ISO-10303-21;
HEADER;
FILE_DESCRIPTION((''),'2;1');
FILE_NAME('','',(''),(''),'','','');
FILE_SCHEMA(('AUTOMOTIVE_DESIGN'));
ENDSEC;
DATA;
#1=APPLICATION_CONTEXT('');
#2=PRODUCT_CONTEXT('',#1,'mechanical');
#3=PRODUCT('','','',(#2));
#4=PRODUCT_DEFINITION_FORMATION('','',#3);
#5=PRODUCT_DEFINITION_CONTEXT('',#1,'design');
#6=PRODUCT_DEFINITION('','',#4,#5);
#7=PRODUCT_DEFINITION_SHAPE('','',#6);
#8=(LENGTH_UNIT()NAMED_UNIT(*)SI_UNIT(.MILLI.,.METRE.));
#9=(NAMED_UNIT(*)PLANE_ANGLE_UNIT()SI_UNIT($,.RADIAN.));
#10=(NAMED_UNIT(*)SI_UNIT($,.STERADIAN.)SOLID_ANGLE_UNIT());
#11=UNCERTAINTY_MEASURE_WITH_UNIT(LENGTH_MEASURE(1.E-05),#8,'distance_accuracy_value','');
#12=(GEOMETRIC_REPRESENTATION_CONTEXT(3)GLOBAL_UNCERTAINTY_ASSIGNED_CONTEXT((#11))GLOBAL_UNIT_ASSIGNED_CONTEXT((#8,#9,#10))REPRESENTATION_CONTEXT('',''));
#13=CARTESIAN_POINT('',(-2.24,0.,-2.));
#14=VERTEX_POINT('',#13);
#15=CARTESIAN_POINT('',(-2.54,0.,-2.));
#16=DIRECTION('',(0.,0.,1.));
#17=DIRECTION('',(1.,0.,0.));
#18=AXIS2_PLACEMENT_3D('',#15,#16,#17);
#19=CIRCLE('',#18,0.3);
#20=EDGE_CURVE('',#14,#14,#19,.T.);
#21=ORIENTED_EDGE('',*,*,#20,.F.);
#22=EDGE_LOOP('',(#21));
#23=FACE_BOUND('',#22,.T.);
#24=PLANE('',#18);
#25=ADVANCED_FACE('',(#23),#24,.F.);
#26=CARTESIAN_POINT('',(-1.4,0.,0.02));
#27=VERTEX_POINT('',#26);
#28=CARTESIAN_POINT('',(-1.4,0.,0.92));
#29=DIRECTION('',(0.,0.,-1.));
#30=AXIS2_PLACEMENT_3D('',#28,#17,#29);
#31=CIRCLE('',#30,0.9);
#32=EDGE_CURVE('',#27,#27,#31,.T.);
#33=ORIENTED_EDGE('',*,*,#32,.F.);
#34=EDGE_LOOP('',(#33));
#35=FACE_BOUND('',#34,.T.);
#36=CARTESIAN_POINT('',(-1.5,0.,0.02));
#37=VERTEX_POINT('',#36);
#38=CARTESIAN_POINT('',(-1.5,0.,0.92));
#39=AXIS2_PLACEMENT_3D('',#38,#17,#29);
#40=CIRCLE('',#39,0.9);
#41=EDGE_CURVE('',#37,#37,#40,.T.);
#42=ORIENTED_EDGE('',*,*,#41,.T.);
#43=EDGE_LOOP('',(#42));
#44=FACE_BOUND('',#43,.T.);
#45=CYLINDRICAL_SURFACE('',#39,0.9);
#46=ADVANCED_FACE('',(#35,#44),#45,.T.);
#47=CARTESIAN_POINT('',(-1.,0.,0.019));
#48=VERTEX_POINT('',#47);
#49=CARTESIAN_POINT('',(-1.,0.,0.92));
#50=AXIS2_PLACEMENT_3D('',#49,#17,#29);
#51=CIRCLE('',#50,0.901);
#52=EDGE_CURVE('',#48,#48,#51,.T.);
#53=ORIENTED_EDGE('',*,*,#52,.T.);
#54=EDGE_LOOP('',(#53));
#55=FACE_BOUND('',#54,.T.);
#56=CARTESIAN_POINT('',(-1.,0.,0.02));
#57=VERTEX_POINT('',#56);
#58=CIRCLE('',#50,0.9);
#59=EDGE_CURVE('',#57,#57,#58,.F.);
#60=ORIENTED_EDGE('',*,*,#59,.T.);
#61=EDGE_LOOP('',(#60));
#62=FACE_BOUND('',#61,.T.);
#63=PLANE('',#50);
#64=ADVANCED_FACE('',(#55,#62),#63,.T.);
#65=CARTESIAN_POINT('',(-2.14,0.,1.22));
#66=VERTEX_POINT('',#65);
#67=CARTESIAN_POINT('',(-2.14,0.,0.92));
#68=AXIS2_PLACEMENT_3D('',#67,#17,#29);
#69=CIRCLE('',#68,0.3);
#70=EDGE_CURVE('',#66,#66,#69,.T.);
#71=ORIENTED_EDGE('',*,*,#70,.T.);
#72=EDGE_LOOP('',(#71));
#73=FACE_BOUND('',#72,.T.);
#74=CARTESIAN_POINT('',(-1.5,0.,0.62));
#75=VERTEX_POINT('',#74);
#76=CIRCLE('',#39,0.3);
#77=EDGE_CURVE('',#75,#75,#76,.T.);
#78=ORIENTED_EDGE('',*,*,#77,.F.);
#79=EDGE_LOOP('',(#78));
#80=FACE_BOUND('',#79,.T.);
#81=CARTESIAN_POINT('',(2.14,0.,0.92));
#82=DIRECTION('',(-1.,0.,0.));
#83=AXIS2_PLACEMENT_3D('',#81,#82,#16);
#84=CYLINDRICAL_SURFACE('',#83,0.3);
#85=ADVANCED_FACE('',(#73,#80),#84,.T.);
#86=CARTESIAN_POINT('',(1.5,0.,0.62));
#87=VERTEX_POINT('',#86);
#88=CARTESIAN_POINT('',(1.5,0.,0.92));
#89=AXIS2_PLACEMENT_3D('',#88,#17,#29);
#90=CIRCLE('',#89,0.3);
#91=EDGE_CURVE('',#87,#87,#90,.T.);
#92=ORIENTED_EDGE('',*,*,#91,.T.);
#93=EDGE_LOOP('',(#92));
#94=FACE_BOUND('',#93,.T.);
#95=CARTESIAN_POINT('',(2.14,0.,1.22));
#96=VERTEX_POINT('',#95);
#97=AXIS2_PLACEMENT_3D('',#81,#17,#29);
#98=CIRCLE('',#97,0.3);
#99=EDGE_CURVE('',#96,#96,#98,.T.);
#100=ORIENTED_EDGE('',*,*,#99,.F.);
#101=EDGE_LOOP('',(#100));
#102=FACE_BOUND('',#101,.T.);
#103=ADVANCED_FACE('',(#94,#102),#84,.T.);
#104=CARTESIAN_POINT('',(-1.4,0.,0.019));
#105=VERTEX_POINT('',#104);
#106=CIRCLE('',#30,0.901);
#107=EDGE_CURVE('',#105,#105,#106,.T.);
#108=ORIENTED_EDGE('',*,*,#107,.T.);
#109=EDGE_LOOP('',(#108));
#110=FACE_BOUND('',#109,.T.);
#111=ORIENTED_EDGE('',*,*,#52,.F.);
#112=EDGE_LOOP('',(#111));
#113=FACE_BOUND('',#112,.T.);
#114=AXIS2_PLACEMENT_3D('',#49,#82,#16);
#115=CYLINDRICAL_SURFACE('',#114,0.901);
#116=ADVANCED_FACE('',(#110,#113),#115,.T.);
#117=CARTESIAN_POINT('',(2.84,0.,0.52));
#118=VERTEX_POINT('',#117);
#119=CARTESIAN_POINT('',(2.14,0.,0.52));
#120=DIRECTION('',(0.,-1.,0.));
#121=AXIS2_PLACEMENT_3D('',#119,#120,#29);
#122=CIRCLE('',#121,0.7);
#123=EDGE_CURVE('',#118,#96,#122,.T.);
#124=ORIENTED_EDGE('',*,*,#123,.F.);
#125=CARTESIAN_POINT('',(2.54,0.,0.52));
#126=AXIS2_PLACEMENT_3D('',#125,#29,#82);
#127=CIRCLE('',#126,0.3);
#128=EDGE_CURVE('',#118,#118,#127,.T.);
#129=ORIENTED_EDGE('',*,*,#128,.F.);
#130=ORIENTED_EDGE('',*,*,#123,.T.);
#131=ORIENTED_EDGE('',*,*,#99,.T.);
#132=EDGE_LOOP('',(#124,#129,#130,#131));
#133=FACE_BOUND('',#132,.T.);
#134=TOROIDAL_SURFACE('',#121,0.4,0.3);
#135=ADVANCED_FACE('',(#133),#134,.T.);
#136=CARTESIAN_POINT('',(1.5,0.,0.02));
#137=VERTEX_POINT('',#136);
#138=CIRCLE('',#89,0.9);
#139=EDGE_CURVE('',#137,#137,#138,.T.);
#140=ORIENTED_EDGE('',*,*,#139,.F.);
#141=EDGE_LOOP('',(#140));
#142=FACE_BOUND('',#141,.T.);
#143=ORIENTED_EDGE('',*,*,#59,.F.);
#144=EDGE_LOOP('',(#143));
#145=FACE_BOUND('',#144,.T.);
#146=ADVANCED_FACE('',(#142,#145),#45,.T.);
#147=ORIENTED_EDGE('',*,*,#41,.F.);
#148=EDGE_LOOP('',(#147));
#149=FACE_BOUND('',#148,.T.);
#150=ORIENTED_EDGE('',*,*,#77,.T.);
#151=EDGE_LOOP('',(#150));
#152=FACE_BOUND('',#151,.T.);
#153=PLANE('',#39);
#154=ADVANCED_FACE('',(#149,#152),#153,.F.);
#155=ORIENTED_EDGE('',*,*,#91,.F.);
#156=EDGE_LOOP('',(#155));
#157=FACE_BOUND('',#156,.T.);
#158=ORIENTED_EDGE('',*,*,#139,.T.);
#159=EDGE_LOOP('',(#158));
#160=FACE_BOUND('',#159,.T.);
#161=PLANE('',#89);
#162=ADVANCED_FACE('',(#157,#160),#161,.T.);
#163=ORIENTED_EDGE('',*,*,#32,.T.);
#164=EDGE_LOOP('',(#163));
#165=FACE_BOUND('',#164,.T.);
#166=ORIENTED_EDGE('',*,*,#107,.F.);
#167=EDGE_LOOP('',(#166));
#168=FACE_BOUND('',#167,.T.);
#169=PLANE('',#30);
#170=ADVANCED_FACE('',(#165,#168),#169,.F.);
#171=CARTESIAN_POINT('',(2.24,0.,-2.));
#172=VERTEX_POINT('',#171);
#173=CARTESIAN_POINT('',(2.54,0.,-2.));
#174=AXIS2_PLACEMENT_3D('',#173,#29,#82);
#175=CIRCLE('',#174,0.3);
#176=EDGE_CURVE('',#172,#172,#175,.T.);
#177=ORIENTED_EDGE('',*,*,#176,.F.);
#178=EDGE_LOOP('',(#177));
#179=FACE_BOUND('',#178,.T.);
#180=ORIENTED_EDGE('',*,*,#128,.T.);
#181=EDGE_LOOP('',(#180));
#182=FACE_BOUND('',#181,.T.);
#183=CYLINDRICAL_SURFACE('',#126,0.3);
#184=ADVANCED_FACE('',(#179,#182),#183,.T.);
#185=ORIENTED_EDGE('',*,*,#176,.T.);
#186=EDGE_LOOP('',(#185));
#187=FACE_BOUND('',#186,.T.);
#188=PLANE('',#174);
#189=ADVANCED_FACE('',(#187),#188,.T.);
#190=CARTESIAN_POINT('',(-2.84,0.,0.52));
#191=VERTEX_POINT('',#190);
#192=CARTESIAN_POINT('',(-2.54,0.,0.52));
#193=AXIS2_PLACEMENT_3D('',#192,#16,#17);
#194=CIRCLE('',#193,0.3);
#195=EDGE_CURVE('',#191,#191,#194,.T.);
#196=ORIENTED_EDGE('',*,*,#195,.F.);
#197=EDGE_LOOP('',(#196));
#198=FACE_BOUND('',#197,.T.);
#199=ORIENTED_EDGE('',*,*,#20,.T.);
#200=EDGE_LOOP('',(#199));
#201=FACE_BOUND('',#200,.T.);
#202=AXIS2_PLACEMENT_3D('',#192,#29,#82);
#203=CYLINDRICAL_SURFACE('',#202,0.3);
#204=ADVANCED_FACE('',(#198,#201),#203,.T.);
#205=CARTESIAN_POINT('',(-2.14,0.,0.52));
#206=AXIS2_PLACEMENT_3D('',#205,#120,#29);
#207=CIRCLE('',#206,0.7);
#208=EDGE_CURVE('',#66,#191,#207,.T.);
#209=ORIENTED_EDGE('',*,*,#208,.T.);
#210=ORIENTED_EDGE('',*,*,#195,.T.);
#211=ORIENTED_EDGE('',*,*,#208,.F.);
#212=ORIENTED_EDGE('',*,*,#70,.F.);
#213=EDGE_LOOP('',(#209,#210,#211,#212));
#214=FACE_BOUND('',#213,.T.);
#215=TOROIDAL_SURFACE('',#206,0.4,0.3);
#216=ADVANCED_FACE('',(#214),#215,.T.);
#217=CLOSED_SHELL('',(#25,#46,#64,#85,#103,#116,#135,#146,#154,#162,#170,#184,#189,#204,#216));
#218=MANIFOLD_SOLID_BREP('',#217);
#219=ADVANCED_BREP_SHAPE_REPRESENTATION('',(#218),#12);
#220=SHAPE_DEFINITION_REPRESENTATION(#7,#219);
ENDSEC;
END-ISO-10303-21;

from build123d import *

# Parameters (mm, degrees)
IZIM2_R                     = 0.3
IZIM4_R                     = 0.9
Y_KSEKLIK_EKSTR_ZYON3_DEPTH = 1.5
EKSTR_ZYON_NCE1_START       = -1.2
IZIM4_5_R                   = 0.901
IZIM4_5_R_2                 = 0.9
EKSTR_ZYON_NCE1_DEPTH       = 0.2


with BuildPart() as part:
    # Süpür2: sweep along a path in Çizim3
    with BuildLine(Plane(origin=(0, 0, 0), x_dir=(1, 0, 0), z_dir=(0, 1, 0))) as s_p_r2_path:
        Line((2.54, 2), (2.54, -0.52))
        ThreePointArc((2.54, -0.52), (2.422842712, -0.802842712), (2.14, -0.92))
        Line((2.14, -0.92), (-2.14, -0.92))
        ThreePointArc((-2.14, -0.92), (-2.422842712, -0.802842712), (-2.54, -0.52))
        Line((-2.54, -0.52), (-2.54, 2))
    # Çizim2 → Süpür2 (sweep)
    with BuildSketch(Plane(origin=(0, 0, -2), x_dir=(-1, 0, 0), z_dir=(0, 0, -1))):
        with Locations((-2.54, 0)):
            Circle(IZIM2_R)
    sweep(path=s_p_r2_path.line)

    # Çizim4 → Yükseklik-Ekstrüzyon3 (add, symmetric)
    with BuildSketch(Plane(origin=(0, 0, 0), x_dir=(0, 0, -1), z_dir=(1, 0, 0))):
        with Locations((-0.92, 0)):
            Circle(IZIM4_R)
    extrude(amount=Y_KSEKLIK_EKSTR_ZYON3_DEPTH, both=True)

    # Çizim4<5> → Ekstrüzyon-İnce1 (add, symmetric)
    with BuildSketch(Plane(origin=(0, 0, 0), x_dir=(0, 0, -1), z_dir=(1, 0, 0)).offset(EKSTR_ZYON_NCE1_START)):
        with Locations((-0.92, 0)):
            Circle(IZIM4_5_R)
        with Locations((-0.92, 0)):
            Circle(IZIM4_5_R_2, mode=Mode.SUBTRACT)
    extrude(amount=EKSTR_ZYON_NCE1_DEPTH, both=True)


solid = part.part
